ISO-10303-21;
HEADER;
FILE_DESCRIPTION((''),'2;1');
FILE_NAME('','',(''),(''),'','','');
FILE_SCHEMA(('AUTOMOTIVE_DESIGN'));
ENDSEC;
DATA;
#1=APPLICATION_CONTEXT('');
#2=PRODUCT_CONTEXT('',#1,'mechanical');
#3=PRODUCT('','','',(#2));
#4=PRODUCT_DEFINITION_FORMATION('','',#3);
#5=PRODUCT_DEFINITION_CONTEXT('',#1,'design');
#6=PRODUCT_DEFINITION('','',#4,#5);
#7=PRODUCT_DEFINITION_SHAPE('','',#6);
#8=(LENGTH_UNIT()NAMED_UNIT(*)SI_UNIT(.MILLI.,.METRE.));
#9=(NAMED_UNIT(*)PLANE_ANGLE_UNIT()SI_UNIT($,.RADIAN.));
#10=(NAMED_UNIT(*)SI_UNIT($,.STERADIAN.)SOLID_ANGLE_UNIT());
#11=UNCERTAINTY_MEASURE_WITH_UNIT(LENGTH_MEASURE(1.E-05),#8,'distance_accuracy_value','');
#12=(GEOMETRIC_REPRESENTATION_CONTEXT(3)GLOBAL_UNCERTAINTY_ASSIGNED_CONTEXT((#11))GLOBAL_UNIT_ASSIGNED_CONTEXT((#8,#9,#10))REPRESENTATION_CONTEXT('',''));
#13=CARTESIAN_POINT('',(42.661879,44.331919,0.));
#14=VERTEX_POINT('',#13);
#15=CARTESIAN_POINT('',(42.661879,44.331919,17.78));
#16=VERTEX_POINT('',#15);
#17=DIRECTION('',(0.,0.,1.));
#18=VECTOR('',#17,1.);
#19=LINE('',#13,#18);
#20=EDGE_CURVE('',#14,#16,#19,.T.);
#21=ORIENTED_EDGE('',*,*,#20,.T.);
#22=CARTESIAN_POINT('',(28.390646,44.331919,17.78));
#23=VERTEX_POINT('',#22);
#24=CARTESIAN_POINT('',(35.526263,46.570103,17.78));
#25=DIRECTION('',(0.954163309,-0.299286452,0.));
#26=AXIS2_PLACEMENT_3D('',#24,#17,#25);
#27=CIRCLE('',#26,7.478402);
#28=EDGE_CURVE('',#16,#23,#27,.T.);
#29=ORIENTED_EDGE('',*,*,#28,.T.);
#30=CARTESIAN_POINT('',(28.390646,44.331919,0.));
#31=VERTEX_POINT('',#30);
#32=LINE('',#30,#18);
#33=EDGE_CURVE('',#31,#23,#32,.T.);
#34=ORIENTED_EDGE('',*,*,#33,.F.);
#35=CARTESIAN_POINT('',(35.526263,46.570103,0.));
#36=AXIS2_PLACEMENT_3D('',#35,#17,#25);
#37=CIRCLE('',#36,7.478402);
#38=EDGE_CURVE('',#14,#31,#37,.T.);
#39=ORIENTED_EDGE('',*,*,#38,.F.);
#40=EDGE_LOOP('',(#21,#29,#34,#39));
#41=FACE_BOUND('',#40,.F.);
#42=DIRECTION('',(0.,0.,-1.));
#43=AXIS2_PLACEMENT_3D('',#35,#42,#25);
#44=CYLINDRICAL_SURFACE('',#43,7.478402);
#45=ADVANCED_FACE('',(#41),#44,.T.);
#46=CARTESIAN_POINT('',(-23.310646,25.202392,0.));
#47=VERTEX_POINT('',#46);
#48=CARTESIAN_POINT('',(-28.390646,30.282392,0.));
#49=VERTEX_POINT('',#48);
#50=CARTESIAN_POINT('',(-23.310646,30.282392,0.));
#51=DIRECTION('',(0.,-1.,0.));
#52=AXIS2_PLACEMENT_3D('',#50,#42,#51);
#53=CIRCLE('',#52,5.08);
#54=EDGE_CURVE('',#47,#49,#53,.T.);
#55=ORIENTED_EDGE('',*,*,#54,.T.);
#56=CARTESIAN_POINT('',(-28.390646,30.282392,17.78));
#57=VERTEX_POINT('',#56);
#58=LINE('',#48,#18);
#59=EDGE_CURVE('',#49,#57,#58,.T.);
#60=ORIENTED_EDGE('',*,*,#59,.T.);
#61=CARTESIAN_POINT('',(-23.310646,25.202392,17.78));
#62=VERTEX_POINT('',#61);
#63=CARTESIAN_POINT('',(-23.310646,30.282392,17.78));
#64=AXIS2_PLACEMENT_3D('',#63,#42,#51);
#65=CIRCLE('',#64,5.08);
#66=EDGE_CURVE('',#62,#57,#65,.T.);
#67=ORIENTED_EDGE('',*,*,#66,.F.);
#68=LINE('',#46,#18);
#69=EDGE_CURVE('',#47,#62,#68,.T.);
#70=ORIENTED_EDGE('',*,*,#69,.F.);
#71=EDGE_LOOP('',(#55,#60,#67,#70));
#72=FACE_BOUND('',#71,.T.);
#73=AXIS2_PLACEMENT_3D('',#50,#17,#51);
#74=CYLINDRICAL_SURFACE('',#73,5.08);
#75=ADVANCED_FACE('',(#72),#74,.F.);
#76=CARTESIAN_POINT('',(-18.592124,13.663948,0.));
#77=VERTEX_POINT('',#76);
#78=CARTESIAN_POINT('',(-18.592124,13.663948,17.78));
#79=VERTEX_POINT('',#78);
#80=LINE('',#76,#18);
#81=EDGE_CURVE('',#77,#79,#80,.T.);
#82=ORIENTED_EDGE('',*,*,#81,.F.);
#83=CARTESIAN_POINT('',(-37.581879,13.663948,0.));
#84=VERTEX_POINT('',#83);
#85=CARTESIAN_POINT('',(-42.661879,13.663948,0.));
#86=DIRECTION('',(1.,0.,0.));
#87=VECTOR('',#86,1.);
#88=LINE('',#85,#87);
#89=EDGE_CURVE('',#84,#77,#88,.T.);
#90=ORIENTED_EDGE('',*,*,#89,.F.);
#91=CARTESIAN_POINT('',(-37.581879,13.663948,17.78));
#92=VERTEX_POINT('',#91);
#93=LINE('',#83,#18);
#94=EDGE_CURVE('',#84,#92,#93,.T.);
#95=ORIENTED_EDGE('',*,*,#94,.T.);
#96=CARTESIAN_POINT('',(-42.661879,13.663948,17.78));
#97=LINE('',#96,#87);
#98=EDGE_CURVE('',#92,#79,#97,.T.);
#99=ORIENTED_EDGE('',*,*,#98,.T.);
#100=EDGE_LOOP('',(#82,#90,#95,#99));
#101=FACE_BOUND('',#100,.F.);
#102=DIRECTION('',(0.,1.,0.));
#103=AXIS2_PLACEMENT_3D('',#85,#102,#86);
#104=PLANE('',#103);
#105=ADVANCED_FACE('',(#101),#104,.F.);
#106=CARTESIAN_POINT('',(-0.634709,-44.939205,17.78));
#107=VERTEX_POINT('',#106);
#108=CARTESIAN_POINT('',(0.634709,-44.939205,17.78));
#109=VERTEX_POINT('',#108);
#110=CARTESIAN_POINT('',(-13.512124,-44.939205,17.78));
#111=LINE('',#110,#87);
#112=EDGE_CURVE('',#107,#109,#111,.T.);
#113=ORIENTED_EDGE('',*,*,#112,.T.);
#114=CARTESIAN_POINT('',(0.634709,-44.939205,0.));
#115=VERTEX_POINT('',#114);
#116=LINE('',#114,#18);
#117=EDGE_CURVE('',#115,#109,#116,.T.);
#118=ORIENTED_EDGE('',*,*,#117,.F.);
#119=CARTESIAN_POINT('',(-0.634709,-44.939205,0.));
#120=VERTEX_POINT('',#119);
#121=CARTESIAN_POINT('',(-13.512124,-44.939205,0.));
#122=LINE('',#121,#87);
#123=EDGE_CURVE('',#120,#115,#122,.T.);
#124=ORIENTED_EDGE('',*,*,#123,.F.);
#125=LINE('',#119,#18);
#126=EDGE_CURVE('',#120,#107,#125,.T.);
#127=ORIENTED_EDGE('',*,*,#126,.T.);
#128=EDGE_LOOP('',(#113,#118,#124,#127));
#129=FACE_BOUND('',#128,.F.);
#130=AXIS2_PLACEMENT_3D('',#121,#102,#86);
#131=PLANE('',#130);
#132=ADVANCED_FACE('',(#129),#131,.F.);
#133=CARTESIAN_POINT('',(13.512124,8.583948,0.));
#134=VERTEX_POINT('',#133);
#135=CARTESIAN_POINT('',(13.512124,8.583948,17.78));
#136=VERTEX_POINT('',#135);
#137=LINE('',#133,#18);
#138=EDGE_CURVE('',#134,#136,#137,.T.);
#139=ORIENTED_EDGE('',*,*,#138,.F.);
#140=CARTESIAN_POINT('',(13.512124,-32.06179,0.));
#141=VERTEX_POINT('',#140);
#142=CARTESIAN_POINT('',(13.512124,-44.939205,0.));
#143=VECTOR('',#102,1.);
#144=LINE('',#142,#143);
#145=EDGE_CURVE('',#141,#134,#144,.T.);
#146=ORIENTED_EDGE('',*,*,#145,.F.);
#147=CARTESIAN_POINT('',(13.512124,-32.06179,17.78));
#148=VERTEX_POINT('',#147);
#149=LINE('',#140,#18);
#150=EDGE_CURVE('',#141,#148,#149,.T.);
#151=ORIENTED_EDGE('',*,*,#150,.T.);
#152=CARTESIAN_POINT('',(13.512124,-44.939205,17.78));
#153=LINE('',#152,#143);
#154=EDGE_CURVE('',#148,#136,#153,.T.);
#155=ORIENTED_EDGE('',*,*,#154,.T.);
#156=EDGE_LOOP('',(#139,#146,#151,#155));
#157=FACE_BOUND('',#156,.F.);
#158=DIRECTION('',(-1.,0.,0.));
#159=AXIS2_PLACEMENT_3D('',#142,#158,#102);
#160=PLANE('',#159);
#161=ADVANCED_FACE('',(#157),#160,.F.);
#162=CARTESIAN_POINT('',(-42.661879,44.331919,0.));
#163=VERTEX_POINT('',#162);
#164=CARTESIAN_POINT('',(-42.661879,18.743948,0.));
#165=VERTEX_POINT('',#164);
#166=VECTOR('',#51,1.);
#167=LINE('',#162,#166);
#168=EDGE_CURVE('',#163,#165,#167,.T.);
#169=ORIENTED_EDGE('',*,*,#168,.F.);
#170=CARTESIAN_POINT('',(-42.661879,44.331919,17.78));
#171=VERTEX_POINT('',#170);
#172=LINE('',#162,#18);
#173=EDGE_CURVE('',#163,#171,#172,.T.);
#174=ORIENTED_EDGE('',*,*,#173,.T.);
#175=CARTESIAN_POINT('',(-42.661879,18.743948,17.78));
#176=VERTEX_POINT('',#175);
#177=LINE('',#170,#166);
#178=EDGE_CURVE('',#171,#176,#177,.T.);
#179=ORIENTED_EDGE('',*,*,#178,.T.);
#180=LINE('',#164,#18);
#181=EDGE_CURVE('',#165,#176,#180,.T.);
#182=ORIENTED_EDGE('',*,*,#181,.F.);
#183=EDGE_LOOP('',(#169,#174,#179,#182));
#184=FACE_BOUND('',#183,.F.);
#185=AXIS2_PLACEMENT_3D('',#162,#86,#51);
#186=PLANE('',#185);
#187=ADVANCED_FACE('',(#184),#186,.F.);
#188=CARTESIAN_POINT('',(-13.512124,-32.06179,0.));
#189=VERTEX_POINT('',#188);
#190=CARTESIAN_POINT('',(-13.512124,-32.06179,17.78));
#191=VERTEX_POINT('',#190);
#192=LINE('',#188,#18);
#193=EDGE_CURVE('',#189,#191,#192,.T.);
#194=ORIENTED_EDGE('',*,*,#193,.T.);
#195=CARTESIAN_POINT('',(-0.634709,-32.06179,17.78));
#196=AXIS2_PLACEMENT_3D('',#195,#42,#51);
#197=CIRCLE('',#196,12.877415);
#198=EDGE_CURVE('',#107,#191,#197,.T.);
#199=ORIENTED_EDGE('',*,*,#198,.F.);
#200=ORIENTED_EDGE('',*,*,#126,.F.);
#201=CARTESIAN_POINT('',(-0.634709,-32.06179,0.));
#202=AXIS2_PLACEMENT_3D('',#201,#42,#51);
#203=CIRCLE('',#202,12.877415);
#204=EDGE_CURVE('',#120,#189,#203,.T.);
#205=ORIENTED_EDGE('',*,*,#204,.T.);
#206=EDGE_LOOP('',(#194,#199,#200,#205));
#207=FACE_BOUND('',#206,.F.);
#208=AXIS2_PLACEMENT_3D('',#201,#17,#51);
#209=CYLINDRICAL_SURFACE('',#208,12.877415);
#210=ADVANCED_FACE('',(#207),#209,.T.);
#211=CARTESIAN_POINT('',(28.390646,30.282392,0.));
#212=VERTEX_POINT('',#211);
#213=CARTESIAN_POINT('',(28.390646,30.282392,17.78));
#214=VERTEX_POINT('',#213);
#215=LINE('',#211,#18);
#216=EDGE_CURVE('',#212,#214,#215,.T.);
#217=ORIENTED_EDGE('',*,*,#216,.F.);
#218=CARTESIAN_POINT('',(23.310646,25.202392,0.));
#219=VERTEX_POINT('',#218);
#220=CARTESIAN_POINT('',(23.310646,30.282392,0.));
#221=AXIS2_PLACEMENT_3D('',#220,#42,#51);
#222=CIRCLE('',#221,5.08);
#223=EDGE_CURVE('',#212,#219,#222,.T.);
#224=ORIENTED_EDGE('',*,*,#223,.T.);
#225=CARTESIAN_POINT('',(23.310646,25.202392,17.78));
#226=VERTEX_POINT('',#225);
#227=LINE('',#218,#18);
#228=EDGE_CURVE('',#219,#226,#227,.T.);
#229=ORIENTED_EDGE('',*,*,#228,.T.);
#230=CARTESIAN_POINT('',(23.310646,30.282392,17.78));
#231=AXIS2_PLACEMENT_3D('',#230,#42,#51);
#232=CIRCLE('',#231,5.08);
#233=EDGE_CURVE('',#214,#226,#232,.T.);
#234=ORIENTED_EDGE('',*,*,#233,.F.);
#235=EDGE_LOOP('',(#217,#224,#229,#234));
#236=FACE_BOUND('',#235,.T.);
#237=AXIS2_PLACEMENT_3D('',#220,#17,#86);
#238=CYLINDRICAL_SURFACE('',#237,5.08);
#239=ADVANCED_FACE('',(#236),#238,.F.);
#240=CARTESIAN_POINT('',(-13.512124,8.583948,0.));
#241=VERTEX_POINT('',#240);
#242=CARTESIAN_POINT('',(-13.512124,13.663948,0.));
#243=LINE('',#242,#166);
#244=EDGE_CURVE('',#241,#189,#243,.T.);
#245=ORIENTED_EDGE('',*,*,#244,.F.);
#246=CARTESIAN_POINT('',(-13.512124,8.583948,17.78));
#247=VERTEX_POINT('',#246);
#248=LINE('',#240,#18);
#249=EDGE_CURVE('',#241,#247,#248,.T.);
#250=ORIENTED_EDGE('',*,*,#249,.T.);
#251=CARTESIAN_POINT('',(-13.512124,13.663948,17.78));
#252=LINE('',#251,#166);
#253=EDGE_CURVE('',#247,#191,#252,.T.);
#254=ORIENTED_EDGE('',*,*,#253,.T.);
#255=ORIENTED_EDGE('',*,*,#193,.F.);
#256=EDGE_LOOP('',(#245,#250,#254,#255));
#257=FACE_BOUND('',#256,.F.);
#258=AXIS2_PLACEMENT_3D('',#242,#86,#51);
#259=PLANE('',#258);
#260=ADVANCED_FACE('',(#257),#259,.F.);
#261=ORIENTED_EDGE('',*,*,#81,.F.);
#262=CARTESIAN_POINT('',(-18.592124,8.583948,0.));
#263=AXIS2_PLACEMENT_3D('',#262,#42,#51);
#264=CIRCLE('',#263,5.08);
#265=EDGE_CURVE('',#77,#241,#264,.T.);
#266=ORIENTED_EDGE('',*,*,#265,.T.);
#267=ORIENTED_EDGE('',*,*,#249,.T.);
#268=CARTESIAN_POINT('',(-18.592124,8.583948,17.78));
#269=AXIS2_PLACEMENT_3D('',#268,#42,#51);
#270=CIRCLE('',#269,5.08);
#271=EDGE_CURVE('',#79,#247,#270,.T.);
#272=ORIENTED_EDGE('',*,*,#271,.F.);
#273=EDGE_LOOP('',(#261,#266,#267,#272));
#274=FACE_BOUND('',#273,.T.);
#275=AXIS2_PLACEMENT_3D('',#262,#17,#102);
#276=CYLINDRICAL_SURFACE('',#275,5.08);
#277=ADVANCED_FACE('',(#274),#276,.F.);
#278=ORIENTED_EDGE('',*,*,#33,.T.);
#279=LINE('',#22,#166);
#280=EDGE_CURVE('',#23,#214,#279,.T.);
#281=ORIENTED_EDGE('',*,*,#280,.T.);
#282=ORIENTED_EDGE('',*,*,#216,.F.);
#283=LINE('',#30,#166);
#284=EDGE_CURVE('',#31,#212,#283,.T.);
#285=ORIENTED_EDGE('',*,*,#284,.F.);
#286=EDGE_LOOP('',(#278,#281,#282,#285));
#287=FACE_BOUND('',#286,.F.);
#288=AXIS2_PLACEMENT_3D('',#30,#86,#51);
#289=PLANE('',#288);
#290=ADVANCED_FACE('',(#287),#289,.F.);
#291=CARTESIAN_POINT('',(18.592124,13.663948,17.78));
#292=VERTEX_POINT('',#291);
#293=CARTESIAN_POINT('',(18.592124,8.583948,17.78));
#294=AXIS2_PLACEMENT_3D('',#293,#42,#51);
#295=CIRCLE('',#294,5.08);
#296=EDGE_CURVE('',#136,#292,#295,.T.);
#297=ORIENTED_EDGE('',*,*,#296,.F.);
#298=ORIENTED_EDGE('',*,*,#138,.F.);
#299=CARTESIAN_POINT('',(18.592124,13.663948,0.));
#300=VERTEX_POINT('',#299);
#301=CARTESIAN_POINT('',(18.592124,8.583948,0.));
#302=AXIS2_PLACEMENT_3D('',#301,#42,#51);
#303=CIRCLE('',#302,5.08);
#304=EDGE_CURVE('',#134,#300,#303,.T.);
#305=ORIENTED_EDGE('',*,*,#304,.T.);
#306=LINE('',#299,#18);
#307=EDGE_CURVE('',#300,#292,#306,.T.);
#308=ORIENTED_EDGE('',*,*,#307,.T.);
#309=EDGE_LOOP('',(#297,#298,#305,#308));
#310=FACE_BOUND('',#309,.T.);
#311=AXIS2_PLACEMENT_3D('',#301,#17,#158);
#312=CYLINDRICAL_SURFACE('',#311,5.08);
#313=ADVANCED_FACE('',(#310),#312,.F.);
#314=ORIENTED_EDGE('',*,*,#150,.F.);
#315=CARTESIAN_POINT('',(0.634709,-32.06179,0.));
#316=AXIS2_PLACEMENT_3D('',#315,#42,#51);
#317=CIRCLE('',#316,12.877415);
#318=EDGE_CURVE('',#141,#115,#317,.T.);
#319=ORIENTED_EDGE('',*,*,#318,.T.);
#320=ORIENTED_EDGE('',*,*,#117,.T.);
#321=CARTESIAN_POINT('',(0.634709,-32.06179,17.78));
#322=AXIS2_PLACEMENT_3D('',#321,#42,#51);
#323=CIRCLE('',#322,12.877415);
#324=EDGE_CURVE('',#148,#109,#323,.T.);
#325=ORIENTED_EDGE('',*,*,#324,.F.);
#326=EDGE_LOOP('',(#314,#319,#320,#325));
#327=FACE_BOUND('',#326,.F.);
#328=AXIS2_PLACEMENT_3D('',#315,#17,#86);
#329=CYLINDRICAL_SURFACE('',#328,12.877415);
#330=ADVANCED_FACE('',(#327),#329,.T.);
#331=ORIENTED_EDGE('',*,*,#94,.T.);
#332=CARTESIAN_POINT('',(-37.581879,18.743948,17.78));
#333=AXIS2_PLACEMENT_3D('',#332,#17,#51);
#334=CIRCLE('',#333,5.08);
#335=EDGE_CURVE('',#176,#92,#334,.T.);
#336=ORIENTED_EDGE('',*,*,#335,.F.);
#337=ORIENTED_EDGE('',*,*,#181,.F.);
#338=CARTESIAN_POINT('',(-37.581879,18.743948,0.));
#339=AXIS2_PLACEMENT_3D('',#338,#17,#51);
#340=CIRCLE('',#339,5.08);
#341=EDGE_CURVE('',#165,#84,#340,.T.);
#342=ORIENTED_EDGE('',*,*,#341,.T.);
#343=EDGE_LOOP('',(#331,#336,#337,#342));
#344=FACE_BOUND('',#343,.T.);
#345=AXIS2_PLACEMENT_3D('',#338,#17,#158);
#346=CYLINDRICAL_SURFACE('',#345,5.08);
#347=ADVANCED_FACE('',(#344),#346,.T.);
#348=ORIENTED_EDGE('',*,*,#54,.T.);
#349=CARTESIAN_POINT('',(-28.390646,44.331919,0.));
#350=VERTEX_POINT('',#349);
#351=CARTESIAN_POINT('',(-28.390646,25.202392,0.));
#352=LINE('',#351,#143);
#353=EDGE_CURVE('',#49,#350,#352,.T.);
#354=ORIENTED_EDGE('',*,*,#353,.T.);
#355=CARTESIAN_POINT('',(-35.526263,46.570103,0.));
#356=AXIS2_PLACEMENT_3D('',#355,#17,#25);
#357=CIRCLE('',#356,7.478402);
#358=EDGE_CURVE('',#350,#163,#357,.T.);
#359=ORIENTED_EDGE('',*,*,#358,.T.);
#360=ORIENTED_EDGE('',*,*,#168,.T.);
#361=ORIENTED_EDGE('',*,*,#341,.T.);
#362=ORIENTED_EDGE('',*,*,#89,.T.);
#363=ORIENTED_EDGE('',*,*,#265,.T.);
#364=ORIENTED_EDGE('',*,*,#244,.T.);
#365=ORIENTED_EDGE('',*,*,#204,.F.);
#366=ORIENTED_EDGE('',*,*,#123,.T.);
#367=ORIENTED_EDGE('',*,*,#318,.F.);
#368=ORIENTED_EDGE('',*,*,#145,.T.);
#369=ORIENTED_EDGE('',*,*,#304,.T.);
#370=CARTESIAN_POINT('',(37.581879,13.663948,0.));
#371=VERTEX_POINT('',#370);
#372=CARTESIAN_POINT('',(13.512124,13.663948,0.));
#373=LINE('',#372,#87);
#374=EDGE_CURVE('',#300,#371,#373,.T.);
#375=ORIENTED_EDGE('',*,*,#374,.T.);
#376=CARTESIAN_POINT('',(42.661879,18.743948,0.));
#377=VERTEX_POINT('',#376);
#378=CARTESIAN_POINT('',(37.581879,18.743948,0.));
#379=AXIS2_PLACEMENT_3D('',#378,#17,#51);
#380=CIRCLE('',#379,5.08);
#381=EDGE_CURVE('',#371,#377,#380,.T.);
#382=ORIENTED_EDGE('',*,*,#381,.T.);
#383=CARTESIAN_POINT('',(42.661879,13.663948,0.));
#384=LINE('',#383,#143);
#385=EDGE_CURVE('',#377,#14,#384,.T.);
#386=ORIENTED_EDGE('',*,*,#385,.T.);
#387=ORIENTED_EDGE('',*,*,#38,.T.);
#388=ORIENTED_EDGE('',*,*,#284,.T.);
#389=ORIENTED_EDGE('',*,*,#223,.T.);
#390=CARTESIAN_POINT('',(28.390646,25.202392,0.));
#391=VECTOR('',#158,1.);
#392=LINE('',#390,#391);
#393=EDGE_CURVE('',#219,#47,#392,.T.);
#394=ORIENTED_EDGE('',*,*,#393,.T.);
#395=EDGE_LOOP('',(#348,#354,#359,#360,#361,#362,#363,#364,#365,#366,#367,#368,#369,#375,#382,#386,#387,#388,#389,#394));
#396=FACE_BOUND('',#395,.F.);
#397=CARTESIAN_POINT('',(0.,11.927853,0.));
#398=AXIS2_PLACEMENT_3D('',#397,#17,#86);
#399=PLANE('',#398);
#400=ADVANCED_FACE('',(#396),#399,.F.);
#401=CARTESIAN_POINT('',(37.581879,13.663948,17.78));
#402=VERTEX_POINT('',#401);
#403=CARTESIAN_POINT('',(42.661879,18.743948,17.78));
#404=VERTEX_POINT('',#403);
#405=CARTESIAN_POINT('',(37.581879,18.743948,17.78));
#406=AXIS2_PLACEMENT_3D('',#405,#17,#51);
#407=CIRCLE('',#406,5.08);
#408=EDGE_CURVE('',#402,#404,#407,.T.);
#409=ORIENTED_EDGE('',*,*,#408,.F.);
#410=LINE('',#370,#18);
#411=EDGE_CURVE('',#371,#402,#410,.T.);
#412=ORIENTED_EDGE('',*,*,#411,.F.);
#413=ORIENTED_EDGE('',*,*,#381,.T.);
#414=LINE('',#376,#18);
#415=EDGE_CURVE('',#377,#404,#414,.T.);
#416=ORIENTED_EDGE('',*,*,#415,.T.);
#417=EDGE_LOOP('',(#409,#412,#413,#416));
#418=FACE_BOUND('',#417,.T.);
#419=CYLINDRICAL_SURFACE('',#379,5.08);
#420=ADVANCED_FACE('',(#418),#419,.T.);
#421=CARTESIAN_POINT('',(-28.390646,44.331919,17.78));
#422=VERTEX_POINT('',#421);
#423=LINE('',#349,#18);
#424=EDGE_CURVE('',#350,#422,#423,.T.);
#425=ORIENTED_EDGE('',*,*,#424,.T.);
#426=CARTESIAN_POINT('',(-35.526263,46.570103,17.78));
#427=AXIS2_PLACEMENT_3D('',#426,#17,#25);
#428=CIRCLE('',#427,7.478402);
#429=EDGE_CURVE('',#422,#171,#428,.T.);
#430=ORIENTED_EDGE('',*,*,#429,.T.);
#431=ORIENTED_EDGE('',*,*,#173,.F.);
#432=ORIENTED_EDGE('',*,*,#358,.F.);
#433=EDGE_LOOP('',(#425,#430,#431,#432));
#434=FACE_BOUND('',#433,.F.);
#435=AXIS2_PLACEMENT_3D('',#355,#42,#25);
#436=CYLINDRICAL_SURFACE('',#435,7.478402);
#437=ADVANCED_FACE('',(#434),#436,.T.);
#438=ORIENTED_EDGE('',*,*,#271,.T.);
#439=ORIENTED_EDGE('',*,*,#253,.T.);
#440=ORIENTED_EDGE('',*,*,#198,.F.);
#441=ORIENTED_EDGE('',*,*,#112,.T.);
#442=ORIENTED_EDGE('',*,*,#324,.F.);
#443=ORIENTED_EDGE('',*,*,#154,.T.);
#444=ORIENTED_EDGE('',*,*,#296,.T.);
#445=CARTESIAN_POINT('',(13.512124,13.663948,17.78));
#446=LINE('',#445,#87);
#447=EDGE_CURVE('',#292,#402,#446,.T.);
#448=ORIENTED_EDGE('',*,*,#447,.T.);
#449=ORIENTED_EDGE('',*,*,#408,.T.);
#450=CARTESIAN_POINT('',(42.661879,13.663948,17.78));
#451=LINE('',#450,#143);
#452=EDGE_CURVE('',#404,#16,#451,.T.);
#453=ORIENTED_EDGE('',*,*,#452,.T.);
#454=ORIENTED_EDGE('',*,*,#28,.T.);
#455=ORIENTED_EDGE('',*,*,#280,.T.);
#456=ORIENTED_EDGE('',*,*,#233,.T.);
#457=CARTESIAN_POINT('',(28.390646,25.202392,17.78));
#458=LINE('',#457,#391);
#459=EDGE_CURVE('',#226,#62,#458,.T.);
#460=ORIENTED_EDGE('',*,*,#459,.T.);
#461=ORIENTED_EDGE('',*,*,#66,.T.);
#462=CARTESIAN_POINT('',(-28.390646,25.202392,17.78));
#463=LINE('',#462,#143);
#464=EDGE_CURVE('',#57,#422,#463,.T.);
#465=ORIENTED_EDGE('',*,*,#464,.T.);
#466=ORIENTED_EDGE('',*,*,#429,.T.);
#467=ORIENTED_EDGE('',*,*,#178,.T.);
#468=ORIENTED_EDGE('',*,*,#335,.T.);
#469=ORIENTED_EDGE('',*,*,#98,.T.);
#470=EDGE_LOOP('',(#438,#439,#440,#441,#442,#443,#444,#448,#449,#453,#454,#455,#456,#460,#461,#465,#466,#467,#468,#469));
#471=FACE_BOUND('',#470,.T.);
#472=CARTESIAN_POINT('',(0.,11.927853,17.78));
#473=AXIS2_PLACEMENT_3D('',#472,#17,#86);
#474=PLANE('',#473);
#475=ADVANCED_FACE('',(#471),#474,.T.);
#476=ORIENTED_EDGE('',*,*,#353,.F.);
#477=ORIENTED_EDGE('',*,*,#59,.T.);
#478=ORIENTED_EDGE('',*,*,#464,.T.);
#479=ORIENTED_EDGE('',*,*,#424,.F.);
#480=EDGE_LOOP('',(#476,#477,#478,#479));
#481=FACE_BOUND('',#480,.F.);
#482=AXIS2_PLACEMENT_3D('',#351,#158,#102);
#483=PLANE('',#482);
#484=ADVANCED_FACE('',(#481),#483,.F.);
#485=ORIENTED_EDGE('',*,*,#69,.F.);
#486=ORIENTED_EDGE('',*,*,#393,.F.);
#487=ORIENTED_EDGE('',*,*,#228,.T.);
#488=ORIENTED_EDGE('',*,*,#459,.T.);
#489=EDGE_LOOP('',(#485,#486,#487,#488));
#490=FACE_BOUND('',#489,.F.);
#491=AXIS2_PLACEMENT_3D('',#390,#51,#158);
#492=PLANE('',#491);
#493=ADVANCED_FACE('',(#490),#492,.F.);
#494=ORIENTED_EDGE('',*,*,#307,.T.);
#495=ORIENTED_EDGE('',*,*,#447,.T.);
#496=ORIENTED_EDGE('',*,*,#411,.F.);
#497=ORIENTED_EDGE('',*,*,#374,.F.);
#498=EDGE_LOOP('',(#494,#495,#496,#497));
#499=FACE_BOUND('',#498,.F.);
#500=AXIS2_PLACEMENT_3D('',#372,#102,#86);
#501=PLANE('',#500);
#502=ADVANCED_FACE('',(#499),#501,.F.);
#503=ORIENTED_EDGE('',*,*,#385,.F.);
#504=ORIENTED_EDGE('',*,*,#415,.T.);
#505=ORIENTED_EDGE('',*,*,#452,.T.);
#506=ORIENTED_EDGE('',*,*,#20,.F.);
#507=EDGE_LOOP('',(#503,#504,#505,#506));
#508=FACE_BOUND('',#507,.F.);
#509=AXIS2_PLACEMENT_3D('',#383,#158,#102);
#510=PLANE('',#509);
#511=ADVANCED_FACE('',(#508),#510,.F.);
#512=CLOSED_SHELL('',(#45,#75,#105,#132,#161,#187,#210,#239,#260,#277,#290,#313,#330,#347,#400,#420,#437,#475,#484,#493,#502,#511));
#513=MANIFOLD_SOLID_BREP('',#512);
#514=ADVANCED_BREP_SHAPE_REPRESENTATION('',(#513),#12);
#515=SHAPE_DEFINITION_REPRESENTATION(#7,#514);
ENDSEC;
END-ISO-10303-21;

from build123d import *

# Parameters (mm, degrees)
F1_DEPTH = 17.78
F2_R     = 5.08
F3_R     = 12.877415


with BuildPart() as f1:
    # F0 (on Top) → F1 (new body)
    with BuildSketch(Plane.XY):
        with BuildLine():
            Line((-13.512124, -44.939205), (0, -44.939205))
            Line((0, -44.939205), (13.512124, -44.939205))
            Line((13.512124, -44.939205), (13.512124, 13.663948))
            Line((13.512124, 13.663948), (42.661879, 13.663948))
            Line((42.661879, 13.663948), (42.661879, 44.331919))
            ThreePointArc((42.661879, 44.331919), (35.526263, 54.048505), (28.390646, 44.331919))
            Line((28.390646, 44.331919), (28.390646, 25.202392))
            Line((28.390646, 25.202392), (0, 25.202392))
            Line((0, 25.202392), (-28.390646, 25.202392))
            Line((-28.390646, 25.202392), (-28.390646, 44.331919))
            ThreePointArc((-28.390646, 44.331919), (-35.526263, 54.048505), (-42.661879, 44.331919))
            Line((-42.661879, 44.331919), (-42.661879, 13.663948))
            Line((-42.661879, 13.663948), (-13.512124, 13.663948))
            Line((-13.512124, 13.663948), (-13.512124, -44.939205))
        make_face()
    extrude(amount=F1_DEPTH)

    # F2
    f2_edges = [f1.edges().sort_by_distance(p)[0] for p in [
        (-42.661879, 13.663948, 8.89),
        (-13.512124, 13.663948, 8.89),
        (42.661879, 13.663948, 8.89),
        (13.512124, 13.663948, 8.89),
        (28.390646, 25.202392, 8.89),
        (-28.390646, 25.202392, 8.89),
    ]]
    fillet(f2_edges, radius=F2_R)

    # F3
    f3_edges = [f1.edges().sort_by_distance(p)[0] for p in [
        (-13.512124, -44.939205, 8.89),
        (13.512124, -44.939205, 8.89),
    ]]
    fillet(f3_edges, radius=F3_R)


solid = f1.part
